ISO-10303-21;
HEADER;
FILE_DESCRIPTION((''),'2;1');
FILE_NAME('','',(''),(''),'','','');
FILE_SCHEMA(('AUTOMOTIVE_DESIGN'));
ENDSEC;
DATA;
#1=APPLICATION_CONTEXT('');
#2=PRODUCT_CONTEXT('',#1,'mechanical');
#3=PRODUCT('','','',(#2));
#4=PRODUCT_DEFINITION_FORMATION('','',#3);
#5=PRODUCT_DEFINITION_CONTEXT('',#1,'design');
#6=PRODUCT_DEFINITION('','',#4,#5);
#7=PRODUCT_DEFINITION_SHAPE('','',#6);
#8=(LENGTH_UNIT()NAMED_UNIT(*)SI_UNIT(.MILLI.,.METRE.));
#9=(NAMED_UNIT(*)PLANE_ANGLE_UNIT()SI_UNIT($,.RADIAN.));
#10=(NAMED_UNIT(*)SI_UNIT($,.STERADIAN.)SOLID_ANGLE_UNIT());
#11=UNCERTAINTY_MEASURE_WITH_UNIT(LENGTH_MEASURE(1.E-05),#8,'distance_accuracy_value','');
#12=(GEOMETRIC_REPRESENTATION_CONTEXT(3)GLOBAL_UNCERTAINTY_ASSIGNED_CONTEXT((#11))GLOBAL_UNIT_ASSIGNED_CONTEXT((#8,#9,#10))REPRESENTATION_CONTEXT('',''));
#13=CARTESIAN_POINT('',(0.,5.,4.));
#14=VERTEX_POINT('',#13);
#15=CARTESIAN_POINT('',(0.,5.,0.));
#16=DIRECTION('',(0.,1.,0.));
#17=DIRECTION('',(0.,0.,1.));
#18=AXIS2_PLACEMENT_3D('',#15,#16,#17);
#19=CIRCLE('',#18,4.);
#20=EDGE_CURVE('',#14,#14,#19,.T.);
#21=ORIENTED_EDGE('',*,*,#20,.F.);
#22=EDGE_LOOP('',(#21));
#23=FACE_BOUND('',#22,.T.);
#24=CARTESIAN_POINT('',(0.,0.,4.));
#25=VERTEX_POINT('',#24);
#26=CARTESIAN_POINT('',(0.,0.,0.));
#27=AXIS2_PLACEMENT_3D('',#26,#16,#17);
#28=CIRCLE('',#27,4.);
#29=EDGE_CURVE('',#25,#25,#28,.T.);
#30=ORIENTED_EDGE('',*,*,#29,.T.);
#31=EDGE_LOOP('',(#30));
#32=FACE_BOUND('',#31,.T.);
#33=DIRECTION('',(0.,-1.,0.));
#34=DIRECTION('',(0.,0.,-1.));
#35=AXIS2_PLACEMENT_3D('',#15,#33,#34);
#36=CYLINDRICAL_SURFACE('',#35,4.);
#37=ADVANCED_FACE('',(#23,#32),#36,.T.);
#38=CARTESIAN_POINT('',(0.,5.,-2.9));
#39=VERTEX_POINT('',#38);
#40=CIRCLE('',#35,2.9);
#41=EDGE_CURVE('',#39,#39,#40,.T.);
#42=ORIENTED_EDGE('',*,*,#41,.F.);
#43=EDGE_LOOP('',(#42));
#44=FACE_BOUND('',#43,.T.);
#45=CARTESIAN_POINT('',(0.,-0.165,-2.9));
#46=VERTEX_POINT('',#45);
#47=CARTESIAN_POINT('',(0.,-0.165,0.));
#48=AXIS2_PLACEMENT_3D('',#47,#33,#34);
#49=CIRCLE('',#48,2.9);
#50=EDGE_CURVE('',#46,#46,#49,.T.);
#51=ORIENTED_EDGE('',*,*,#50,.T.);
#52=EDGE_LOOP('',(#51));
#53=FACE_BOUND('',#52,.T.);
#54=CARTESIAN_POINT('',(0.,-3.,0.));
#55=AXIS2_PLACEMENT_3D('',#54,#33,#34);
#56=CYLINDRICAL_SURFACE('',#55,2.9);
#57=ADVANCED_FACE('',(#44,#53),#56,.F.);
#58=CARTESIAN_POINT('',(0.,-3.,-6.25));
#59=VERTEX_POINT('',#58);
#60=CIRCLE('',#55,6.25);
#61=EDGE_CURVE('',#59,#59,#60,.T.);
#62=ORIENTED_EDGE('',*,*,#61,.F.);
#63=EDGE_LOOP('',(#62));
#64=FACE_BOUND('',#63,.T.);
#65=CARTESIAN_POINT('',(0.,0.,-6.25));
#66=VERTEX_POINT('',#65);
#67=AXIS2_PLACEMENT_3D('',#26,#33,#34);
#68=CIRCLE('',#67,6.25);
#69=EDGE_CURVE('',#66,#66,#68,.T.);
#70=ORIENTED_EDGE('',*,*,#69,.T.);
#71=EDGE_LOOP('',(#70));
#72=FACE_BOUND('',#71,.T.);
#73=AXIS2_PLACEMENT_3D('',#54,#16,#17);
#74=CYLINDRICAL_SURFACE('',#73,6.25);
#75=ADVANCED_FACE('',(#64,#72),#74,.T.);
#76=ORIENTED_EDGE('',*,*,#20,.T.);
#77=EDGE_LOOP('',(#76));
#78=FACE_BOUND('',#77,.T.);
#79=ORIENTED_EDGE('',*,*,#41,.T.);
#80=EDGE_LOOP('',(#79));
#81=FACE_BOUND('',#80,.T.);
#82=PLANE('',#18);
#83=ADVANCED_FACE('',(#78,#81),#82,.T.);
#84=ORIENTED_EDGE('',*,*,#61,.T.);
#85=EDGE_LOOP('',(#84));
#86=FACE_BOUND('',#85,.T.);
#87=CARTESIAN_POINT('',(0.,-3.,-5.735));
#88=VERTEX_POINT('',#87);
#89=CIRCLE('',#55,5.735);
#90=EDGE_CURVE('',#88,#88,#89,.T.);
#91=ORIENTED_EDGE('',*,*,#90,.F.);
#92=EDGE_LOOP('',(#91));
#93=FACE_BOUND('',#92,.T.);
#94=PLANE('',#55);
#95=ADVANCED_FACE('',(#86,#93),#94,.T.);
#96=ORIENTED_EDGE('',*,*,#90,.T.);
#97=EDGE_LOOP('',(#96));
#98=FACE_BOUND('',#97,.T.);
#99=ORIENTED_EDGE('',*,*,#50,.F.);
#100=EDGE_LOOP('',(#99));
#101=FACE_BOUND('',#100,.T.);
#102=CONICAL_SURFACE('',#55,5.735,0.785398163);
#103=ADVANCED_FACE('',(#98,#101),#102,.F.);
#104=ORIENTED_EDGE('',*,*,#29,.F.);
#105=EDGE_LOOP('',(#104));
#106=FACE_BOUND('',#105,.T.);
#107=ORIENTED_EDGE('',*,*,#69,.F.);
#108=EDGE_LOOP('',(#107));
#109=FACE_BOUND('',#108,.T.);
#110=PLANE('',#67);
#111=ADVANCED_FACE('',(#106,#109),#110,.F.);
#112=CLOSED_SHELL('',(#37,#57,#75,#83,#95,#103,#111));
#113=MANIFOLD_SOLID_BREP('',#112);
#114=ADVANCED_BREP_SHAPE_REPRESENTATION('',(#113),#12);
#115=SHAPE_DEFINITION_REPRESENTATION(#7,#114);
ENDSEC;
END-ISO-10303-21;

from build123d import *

# Parameters (mm, degrees)
SKETCH1_R                                            = 4
BOSS_EXTRUDE1_DEPTH                                  = 5
SKETCH2_R                                            = 6.25
BOSS_EXTRUDE2_DEPTH                                  = 3
SKETCH3_R                                            = 2.8
CUT_EXTRUDE1_DEPTH                                   = 12.921619018
CSK_FOR_M5_HEX_SOCKET_COUNTERSUNK_HEAD_S_D           = 5.8
CSK_FOR_M5_HEX_SOCKET_COUNTERSUNK_HEAD_S_CSINK_D     = 11.47
CSK_FOR_M5_HEX_SOCKET_COUNTERSUNK_HEAD_S_CSINK_ANGLE = 90


with BuildPart() as part:
    # Sketch1 → Boss-Extrude1 (new body)
    with BuildSketch(Plane(origin=(0, 0, 0), x_dir=(1, 0, 0), z_dir=(0, 1, 0))):
        with Locations(Location((0, 0, 0), (0, 0, 270))):
            Circle(SKETCH1_R)
    extrude(amount=BOSS_EXTRUDE1_DEPTH)

    # Sketch2 → Boss-Extrude2 (add)
    with BuildSketch(Plane.XZ):
        with Locations(Location((0, 0, 0), (0, 0, 270))):
            Circle(SKETCH2_R)
    extrude(amount=BOSS_EXTRUDE2_DEPTH)

    # Sketch3 → Cut-Extrude1 (cut, through all)
    with BuildSketch(Plane(origin=(0, 5, 0), x_dir=(1, 0, 0), z_dir=(0, 1, 0))):
        with Locations(Location((0, 0, 0), (0, 0, 270))):
            Circle(SKETCH3_R)
    extrude(amount=-CUT_EXTRUDE1_DEPTH, mode=Mode.SUBTRACT)

    # CSK for M5 Hex Socket Countersunk Head Screw1 (through all)
    with Locations(Plane(origin=(0, -3, 0), x_dir=(-1, 0, 0), z_dir=(0, -1, 0))):
        with Locations((0, 0)):
            CounterSinkHole(CSK_FOR_M5_HEX_SOCKET_COUNTERSUNK_HEAD_S_D / 2, CSK_FOR_M5_HEX_SOCKET_COUNTERSUNK_HEAD_S_CSINK_D / 2, counter_sink_angle=CSK_FOR_M5_HEX_SOCKET_COUNTERSUNK_HEAD_S_CSINK_ANGLE)


solid = part.part
